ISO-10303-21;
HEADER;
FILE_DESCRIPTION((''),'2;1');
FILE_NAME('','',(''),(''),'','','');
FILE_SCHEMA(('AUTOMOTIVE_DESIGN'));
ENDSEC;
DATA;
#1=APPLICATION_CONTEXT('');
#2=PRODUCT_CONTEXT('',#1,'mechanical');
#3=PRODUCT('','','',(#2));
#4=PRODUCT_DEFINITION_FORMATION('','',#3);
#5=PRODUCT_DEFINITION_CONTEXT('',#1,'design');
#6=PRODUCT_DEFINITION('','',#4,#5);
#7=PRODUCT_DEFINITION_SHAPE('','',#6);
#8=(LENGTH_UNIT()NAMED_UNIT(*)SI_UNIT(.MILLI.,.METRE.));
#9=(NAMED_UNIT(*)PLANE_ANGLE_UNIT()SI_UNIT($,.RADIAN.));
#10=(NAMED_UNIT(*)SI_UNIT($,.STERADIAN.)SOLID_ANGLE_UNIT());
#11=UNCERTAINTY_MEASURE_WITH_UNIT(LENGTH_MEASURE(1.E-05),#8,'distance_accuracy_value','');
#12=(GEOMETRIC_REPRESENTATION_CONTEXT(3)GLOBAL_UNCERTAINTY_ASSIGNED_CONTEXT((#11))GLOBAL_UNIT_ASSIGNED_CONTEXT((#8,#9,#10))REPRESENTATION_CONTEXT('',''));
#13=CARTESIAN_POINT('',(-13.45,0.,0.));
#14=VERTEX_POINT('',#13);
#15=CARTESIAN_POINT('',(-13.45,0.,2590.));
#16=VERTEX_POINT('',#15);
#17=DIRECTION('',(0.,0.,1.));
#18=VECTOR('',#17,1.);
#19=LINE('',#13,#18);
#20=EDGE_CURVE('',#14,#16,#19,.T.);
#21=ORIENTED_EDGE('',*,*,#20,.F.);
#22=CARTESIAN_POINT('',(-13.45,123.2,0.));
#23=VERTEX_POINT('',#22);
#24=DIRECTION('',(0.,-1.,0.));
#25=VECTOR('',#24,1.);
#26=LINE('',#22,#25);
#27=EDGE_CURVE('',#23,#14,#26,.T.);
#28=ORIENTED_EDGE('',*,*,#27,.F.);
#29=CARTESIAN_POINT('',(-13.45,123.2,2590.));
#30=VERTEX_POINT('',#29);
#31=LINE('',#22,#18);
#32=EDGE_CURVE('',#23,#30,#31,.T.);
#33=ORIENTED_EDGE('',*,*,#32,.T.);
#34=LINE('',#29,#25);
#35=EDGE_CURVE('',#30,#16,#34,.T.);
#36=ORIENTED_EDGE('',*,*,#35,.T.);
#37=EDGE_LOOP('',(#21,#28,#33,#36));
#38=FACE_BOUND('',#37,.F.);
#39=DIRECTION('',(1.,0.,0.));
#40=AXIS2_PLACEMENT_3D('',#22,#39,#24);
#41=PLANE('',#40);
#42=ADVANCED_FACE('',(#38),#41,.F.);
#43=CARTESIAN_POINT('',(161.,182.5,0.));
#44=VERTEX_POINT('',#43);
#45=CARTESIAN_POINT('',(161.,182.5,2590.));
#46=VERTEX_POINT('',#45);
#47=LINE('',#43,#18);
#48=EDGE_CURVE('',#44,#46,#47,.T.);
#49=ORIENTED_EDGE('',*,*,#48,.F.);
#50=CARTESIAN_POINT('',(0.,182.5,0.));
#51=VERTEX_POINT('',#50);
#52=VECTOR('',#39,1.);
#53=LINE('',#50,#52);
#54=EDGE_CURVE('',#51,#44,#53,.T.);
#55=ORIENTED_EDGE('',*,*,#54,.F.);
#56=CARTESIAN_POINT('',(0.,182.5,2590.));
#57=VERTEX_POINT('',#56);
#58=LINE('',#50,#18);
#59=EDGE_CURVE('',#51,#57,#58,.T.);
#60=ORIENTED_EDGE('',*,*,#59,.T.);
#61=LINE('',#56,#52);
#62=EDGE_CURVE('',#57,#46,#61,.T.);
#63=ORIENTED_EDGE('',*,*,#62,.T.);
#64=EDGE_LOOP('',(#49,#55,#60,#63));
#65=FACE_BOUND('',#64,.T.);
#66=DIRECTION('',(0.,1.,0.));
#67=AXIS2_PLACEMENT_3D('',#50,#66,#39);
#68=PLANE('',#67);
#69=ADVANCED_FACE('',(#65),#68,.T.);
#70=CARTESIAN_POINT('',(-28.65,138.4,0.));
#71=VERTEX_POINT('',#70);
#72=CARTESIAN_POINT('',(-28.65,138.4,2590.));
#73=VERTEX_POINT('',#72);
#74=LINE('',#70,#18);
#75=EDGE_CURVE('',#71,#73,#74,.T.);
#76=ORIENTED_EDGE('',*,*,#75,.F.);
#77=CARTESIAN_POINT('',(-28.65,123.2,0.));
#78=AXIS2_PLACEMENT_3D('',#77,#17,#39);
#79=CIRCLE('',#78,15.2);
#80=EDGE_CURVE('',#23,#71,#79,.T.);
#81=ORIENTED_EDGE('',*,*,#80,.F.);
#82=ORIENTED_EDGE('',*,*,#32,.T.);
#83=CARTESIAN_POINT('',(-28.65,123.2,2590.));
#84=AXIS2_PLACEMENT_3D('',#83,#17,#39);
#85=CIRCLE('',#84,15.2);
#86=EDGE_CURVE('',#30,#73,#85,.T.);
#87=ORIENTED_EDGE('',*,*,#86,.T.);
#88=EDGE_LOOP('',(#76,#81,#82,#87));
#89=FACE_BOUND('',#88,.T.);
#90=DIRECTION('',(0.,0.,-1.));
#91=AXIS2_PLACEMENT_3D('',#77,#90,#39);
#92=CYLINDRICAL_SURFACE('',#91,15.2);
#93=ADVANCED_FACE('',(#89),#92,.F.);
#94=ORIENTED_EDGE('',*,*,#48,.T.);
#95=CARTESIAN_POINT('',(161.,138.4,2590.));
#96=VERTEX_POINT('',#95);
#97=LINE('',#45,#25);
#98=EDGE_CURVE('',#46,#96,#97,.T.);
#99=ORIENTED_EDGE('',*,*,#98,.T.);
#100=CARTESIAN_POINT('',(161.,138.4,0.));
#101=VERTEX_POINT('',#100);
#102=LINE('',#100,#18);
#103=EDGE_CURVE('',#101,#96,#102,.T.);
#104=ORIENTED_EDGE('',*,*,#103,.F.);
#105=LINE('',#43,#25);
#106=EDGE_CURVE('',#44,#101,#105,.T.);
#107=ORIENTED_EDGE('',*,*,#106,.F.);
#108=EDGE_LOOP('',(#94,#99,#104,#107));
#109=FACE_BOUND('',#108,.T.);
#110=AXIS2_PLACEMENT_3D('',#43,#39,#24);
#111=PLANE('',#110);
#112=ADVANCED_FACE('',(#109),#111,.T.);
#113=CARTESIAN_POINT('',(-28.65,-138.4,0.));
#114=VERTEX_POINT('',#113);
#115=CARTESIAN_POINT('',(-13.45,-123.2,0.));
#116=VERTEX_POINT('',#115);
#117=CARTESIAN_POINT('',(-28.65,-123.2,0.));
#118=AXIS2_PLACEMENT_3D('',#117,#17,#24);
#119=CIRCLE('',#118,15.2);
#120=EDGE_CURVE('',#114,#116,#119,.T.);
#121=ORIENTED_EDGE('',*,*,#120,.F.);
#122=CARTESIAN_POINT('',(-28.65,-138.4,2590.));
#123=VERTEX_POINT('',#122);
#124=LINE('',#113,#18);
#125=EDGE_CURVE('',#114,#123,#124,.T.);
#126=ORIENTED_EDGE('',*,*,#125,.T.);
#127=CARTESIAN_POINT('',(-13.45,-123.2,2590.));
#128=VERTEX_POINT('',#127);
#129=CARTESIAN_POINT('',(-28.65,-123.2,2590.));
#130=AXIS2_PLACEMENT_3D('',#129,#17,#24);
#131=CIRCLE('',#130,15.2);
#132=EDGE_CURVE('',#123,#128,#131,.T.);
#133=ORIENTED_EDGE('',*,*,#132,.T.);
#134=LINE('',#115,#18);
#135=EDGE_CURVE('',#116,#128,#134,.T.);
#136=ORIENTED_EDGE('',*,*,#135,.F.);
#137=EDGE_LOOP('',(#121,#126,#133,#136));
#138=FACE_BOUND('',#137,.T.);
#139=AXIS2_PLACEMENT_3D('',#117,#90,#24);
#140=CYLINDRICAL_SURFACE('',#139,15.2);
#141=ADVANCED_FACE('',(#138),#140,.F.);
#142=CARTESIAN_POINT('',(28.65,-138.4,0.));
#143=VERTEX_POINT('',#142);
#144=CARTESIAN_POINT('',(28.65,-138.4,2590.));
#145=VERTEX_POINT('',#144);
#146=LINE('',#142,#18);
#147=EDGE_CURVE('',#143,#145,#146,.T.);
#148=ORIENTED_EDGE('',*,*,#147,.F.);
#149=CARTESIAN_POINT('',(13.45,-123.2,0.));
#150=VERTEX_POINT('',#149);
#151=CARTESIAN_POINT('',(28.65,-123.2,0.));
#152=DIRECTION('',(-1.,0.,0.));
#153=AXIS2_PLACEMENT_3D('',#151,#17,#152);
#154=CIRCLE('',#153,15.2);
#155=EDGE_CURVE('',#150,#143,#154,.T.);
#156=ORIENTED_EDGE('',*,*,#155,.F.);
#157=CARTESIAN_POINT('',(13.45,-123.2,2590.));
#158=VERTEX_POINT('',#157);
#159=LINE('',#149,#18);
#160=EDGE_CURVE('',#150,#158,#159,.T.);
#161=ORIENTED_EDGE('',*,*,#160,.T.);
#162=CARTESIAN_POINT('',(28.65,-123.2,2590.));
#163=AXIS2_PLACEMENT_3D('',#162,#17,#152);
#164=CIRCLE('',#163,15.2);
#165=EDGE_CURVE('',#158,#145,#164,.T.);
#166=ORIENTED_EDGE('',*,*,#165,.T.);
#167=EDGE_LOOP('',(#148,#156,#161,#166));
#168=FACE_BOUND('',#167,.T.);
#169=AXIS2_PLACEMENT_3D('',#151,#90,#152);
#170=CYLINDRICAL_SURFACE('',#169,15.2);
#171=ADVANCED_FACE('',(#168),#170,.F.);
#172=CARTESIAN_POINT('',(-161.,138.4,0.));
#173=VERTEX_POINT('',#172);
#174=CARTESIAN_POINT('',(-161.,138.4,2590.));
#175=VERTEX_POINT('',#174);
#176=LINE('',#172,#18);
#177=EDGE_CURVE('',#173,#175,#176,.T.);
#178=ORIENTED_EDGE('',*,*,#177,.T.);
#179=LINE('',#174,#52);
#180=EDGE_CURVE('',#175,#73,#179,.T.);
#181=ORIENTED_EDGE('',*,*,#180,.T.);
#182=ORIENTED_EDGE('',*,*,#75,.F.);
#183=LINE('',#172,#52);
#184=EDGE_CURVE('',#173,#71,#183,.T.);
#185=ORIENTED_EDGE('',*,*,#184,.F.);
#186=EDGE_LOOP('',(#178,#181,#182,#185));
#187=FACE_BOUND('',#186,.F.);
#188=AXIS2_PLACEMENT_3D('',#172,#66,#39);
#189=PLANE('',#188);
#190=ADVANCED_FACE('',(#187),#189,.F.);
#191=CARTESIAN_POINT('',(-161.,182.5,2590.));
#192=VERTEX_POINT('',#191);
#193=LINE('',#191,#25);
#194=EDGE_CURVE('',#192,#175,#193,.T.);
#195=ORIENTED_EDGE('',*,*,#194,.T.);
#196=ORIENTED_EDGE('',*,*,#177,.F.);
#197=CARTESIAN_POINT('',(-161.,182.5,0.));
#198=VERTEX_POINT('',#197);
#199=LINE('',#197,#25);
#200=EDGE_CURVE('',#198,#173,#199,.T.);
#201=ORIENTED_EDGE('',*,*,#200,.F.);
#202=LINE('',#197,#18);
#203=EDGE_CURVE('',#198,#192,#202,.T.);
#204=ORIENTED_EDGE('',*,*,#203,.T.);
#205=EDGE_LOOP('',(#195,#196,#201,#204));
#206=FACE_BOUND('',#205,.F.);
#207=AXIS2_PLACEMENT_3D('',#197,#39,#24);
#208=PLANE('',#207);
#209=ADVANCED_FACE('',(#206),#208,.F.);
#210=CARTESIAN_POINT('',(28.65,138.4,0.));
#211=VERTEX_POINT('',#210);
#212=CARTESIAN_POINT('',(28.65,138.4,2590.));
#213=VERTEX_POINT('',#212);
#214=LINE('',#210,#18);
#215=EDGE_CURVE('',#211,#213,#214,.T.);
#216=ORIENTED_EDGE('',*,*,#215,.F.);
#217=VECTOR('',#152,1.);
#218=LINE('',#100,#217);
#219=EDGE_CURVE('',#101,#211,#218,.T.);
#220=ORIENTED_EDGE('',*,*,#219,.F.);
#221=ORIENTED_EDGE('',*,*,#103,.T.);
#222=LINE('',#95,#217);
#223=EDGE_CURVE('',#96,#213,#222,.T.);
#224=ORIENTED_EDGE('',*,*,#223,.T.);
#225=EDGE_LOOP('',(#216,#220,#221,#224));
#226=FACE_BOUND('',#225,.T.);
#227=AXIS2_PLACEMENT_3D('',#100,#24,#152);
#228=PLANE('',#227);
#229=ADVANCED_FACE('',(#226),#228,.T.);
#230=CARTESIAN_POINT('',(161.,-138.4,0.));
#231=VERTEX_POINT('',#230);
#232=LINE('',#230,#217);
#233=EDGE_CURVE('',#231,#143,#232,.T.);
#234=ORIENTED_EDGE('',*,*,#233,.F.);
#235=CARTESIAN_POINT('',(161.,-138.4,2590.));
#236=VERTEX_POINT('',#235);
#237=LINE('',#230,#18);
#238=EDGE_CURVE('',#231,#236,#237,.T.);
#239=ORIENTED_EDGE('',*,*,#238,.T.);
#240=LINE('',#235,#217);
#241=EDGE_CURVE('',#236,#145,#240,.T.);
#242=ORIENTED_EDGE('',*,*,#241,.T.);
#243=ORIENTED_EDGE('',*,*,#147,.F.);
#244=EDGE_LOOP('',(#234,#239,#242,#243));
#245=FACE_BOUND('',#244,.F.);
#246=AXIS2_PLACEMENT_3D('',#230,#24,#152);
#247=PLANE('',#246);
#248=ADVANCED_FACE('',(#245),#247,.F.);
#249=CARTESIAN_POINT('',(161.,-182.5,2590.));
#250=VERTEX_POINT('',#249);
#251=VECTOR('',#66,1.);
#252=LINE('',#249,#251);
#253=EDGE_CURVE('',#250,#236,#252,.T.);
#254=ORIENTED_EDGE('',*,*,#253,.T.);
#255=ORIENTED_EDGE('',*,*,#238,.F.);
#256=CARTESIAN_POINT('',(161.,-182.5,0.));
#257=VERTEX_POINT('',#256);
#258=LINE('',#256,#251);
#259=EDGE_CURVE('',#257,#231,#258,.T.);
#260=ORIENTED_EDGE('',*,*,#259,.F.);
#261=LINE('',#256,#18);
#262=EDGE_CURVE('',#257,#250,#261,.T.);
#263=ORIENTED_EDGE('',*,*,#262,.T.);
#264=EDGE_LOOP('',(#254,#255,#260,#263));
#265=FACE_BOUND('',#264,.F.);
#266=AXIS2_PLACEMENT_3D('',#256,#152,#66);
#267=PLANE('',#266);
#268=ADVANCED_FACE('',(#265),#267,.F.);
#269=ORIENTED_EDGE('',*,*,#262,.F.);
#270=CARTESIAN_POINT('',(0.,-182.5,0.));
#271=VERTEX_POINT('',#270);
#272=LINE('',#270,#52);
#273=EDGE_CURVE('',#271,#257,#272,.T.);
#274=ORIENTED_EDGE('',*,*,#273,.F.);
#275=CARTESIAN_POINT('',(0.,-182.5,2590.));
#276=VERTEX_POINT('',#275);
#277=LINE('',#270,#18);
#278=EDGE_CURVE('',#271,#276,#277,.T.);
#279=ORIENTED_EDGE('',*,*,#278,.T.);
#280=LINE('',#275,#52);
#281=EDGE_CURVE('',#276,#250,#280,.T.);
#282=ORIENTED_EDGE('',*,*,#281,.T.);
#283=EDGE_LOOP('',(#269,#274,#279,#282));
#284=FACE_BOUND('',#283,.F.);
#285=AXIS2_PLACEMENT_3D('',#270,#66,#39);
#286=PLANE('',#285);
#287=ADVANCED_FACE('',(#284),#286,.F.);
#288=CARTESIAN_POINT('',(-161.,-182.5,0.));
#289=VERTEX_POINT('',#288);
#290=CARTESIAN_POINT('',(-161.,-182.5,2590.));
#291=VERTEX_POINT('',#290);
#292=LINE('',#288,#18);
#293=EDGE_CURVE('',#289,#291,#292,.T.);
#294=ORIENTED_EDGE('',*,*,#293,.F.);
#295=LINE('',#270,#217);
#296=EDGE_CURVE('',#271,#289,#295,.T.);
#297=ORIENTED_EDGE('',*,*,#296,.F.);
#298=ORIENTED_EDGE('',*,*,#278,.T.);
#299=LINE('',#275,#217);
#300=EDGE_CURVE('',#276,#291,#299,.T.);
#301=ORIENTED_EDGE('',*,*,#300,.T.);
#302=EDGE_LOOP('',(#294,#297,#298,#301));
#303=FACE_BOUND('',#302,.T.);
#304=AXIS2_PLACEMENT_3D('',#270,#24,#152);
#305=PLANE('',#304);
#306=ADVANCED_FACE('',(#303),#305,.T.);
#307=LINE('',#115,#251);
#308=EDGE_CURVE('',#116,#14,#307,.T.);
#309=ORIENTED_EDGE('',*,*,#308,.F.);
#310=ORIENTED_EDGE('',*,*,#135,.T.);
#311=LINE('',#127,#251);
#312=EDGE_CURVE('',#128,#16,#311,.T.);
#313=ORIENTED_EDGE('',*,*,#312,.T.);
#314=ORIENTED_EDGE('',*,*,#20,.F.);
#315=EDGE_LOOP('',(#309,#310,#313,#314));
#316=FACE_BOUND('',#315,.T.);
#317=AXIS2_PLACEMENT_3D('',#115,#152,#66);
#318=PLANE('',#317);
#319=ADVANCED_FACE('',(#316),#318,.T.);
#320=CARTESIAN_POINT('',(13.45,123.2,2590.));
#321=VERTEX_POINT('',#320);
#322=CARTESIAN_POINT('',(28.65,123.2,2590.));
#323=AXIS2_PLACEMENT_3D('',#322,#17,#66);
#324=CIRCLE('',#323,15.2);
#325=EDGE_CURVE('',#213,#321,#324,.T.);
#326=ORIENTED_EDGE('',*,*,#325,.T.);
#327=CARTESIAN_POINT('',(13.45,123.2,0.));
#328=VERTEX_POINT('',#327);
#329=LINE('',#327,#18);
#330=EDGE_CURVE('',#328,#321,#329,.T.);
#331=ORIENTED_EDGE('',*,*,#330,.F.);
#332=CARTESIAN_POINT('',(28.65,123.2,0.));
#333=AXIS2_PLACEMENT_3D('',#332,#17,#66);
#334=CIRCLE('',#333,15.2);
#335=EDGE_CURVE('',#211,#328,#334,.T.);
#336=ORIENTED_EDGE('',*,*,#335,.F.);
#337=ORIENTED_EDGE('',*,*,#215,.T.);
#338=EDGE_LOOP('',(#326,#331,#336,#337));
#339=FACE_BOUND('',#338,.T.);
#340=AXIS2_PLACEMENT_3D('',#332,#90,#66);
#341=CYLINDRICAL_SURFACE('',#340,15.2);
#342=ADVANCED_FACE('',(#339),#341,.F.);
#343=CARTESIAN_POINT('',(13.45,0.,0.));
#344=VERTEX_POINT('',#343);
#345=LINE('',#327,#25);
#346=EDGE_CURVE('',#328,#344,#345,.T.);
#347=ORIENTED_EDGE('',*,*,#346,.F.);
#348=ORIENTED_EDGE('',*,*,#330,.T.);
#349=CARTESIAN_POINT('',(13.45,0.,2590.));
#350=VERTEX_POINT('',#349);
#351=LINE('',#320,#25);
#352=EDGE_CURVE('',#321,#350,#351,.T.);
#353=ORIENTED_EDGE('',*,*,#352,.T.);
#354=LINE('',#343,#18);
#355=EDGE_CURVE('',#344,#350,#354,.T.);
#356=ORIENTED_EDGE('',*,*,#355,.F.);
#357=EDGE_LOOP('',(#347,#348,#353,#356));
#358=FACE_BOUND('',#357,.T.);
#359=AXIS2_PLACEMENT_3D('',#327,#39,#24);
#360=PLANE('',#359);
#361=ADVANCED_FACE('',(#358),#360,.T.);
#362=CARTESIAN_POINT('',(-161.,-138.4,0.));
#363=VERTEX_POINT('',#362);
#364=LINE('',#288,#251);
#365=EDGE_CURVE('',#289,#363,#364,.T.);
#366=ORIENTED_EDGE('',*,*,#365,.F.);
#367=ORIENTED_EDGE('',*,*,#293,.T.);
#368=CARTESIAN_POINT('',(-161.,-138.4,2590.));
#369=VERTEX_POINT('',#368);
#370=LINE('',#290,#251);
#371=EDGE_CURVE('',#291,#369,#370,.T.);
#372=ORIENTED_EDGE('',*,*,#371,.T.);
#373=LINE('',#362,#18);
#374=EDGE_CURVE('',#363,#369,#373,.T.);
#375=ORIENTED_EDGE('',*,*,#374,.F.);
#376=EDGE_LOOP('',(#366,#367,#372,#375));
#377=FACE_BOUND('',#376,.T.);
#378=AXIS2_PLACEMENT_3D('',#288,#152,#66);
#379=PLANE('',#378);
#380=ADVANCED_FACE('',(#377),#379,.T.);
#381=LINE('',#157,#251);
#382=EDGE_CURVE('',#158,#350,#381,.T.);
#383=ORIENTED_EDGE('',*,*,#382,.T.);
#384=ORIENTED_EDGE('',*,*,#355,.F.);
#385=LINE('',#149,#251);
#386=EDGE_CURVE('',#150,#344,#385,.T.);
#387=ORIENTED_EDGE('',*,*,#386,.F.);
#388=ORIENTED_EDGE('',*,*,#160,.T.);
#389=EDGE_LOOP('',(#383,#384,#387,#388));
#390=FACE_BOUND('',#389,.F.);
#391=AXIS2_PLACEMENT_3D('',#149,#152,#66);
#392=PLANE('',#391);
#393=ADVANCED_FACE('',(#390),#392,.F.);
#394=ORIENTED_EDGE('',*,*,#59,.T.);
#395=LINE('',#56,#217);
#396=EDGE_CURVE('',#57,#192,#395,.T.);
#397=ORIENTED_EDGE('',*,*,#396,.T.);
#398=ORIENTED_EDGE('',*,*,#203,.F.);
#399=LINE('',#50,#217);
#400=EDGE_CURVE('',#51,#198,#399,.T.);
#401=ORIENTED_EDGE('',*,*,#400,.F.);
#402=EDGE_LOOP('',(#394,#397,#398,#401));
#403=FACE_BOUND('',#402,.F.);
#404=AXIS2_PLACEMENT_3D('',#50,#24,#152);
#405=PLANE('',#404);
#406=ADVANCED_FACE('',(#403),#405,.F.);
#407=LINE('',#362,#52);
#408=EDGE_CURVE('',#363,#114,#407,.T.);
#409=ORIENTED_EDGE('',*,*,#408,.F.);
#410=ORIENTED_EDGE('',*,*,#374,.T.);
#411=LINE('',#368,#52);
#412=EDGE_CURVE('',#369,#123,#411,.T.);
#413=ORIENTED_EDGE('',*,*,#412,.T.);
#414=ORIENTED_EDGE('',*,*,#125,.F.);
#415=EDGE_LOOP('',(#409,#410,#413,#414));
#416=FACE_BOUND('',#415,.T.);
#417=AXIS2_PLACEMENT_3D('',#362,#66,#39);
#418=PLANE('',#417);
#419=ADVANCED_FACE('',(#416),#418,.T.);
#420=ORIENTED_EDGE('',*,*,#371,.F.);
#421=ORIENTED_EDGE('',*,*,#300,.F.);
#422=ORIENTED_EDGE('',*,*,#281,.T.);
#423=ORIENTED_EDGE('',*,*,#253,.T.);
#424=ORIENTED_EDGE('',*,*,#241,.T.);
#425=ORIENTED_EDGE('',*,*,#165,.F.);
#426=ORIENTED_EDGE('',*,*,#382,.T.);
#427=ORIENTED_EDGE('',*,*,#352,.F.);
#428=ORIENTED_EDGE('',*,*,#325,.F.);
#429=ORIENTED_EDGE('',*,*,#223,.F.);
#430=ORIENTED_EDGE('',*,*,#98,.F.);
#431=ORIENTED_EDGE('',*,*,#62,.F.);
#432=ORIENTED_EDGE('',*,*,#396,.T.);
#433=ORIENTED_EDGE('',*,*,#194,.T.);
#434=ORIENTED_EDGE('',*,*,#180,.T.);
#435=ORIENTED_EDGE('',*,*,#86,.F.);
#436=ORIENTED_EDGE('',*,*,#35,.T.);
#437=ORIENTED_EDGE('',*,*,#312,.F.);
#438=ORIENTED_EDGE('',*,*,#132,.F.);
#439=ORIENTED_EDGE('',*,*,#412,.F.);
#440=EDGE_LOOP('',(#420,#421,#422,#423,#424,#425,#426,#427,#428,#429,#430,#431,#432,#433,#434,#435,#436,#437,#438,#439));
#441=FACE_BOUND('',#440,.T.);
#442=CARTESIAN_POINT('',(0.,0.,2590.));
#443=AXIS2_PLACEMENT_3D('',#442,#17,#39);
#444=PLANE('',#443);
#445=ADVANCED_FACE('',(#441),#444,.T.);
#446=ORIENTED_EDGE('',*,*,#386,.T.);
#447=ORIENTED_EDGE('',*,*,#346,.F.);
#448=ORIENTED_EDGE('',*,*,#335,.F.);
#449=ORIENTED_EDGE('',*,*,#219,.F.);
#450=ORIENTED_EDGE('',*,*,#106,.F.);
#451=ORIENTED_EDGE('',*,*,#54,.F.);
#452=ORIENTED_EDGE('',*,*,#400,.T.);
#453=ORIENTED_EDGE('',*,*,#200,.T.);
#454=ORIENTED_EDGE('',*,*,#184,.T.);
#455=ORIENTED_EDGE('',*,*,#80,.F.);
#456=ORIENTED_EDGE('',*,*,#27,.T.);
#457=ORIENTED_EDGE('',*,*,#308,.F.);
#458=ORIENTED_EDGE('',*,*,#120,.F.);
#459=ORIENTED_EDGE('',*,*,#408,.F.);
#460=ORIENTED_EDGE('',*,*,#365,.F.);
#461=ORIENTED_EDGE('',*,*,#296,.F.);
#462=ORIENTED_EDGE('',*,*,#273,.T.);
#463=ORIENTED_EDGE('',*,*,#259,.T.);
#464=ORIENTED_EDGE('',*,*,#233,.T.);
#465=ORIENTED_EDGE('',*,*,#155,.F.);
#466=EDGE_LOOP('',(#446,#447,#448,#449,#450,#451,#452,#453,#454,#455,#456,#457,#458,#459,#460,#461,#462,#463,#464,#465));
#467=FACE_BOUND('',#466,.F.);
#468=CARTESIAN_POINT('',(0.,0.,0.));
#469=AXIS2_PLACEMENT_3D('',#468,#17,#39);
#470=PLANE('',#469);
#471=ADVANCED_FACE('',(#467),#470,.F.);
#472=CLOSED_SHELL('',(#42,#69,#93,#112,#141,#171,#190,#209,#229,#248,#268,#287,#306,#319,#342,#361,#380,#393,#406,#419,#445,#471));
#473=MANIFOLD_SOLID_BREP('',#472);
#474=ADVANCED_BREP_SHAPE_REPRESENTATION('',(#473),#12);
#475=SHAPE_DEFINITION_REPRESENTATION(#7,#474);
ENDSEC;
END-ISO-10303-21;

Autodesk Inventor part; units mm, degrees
ref_plane "YZ Plane" through (0, 0, 0) normal (1, 0, 0) x (0, 1, 0)
ref_plane "Start plane" through (0, 0, 0) normal (0, 0, 1) x (1, 0, 0)
ref_plane "End plane" through (0, 0, 2590) normal (0, 0, 1) x (1, 0, 0)
sketch "Sketch" plane through (0, 0, 0) normal (0, 0, 1) x (1, 0, 0)
  line L0 (-161, -182.5) -> (-161, -138.4)
  line L1 (-161, -138.4) -> (-28.65, -138.4)
  line L2 (-13.45, -123.2) -> (-13.45, 0)
  line L3 (-13.45, 0) -> (0, 0) construction
  line L4 (0, 0) -> (0, -182.5) construction
  line L5 (0, -182.5) -> (-161, -182.5)
  line L6 (-60, 0) -> (80, 0) construction
  line L7 (0, -60) -> (0, 80) construction
  line L8 (161, -182.5) -> (161, -138.4)
  line L9 (161, -138.4) -> (28.65, -138.4)
  line L10 (13.45, -123.2) -> (13.45, 0)
  line L11 (13.45, 0) -> (0, 0) construction
  line L12 (0, -182.5) -> (161, -182.5)
  line L13 (-161, 182.5) -> (-161, 138.4)
  line L14 (-161, 138.4) -> (-28.65, 138.4)
  line L15 (-13.45, 123.2) -> (-13.45, 0)
  line L16 (0, 182.5) -> (-161, 182.5)
  line L17 (161, 182.5) -> (161, 138.4)
  line L18 (161, 138.4) -> (28.65, 138.4)
  line L19 (0, 182.5) -> (161, 182.5)
  line L20 (13.45, 123.2) -> (13.45, 0)
  arc A0 (-13.45, 123.2) -> (-28.65, 138.4) centre (-28.65, 123.2) ccw
  arc A1 (28.65, 138.4) -> (13.45, 123.2) centre (28.65, 123.2) ccw
  arc A2 (13.45, -123.2) -> (28.65, -138.4) centre (28.65, -123.2) ccw
  arc A3 (-28.65, -138.4) -> (-13.45, -123.2) centre (-28.65, -123.2) ccw
  line L21 (0, 108) -> (0, -88) construction
  line L22 (-88, 0) -> (108, 0) construction
  point P0 (-13.45, -138.4)
  point P1 (13.45, -138.4)
  point P2 (-13.45, 138.4)
  point P3 (13.45, 138.4)
  dimension "d1" = 182.5
  dimension "d2" = 44.1
  dimension "d3" = 161
  dimension "d4" = 13.45
  dimension "d10" = 15.2
extrude "Body" add sketch "Sketch" along normal up to surface (2590 mm away) from surface at 0
sketch "Sketch4" plane through (0, 0, 0) normal (0, 0, 1) x (1, 0, 0)
  line L0 (0, 0) -> (10, 0)
ref_plane "Work Plane3" through (0, 0, 0) normal (0, -1, 0) x (1, 0, 0)
sketch "Sketch5" plane through (0, 0, 0) normal (0, -1, 0) x (1, 0, 0)
  line L0 (-2, 0) -> (12, 0) projected
  line L1 (-2, 2590) -> (12, 2590) projected
  dimension "d14" = 2590
equation "\"d1\" = 0.5 * G_H"
equation "\"d2\" = G_T1"
equation "\"d3\" = 0.5 * G_W"
equation "\"d4\" = 0.5 * G_T"
equation "\"d10\" = G_IR"
equation "\"d5\" = G_L"
equation "\"G_W\" = 322"
equation "\"G_H\" = 365"
equation "\"G_T\" = 26.9"
equation "\"G_T1\" = 44.1"
equation "\"G_IR\" = 15.2"
equation "\"G_L\" = d14"
equation "\"G_OFFSET_START\" = 0"
equation "\"G_OFFSET_END\" = 0"
properties part number "AS 3679 - 310 UC - 283 - 2590" material "Steel, Mild"
